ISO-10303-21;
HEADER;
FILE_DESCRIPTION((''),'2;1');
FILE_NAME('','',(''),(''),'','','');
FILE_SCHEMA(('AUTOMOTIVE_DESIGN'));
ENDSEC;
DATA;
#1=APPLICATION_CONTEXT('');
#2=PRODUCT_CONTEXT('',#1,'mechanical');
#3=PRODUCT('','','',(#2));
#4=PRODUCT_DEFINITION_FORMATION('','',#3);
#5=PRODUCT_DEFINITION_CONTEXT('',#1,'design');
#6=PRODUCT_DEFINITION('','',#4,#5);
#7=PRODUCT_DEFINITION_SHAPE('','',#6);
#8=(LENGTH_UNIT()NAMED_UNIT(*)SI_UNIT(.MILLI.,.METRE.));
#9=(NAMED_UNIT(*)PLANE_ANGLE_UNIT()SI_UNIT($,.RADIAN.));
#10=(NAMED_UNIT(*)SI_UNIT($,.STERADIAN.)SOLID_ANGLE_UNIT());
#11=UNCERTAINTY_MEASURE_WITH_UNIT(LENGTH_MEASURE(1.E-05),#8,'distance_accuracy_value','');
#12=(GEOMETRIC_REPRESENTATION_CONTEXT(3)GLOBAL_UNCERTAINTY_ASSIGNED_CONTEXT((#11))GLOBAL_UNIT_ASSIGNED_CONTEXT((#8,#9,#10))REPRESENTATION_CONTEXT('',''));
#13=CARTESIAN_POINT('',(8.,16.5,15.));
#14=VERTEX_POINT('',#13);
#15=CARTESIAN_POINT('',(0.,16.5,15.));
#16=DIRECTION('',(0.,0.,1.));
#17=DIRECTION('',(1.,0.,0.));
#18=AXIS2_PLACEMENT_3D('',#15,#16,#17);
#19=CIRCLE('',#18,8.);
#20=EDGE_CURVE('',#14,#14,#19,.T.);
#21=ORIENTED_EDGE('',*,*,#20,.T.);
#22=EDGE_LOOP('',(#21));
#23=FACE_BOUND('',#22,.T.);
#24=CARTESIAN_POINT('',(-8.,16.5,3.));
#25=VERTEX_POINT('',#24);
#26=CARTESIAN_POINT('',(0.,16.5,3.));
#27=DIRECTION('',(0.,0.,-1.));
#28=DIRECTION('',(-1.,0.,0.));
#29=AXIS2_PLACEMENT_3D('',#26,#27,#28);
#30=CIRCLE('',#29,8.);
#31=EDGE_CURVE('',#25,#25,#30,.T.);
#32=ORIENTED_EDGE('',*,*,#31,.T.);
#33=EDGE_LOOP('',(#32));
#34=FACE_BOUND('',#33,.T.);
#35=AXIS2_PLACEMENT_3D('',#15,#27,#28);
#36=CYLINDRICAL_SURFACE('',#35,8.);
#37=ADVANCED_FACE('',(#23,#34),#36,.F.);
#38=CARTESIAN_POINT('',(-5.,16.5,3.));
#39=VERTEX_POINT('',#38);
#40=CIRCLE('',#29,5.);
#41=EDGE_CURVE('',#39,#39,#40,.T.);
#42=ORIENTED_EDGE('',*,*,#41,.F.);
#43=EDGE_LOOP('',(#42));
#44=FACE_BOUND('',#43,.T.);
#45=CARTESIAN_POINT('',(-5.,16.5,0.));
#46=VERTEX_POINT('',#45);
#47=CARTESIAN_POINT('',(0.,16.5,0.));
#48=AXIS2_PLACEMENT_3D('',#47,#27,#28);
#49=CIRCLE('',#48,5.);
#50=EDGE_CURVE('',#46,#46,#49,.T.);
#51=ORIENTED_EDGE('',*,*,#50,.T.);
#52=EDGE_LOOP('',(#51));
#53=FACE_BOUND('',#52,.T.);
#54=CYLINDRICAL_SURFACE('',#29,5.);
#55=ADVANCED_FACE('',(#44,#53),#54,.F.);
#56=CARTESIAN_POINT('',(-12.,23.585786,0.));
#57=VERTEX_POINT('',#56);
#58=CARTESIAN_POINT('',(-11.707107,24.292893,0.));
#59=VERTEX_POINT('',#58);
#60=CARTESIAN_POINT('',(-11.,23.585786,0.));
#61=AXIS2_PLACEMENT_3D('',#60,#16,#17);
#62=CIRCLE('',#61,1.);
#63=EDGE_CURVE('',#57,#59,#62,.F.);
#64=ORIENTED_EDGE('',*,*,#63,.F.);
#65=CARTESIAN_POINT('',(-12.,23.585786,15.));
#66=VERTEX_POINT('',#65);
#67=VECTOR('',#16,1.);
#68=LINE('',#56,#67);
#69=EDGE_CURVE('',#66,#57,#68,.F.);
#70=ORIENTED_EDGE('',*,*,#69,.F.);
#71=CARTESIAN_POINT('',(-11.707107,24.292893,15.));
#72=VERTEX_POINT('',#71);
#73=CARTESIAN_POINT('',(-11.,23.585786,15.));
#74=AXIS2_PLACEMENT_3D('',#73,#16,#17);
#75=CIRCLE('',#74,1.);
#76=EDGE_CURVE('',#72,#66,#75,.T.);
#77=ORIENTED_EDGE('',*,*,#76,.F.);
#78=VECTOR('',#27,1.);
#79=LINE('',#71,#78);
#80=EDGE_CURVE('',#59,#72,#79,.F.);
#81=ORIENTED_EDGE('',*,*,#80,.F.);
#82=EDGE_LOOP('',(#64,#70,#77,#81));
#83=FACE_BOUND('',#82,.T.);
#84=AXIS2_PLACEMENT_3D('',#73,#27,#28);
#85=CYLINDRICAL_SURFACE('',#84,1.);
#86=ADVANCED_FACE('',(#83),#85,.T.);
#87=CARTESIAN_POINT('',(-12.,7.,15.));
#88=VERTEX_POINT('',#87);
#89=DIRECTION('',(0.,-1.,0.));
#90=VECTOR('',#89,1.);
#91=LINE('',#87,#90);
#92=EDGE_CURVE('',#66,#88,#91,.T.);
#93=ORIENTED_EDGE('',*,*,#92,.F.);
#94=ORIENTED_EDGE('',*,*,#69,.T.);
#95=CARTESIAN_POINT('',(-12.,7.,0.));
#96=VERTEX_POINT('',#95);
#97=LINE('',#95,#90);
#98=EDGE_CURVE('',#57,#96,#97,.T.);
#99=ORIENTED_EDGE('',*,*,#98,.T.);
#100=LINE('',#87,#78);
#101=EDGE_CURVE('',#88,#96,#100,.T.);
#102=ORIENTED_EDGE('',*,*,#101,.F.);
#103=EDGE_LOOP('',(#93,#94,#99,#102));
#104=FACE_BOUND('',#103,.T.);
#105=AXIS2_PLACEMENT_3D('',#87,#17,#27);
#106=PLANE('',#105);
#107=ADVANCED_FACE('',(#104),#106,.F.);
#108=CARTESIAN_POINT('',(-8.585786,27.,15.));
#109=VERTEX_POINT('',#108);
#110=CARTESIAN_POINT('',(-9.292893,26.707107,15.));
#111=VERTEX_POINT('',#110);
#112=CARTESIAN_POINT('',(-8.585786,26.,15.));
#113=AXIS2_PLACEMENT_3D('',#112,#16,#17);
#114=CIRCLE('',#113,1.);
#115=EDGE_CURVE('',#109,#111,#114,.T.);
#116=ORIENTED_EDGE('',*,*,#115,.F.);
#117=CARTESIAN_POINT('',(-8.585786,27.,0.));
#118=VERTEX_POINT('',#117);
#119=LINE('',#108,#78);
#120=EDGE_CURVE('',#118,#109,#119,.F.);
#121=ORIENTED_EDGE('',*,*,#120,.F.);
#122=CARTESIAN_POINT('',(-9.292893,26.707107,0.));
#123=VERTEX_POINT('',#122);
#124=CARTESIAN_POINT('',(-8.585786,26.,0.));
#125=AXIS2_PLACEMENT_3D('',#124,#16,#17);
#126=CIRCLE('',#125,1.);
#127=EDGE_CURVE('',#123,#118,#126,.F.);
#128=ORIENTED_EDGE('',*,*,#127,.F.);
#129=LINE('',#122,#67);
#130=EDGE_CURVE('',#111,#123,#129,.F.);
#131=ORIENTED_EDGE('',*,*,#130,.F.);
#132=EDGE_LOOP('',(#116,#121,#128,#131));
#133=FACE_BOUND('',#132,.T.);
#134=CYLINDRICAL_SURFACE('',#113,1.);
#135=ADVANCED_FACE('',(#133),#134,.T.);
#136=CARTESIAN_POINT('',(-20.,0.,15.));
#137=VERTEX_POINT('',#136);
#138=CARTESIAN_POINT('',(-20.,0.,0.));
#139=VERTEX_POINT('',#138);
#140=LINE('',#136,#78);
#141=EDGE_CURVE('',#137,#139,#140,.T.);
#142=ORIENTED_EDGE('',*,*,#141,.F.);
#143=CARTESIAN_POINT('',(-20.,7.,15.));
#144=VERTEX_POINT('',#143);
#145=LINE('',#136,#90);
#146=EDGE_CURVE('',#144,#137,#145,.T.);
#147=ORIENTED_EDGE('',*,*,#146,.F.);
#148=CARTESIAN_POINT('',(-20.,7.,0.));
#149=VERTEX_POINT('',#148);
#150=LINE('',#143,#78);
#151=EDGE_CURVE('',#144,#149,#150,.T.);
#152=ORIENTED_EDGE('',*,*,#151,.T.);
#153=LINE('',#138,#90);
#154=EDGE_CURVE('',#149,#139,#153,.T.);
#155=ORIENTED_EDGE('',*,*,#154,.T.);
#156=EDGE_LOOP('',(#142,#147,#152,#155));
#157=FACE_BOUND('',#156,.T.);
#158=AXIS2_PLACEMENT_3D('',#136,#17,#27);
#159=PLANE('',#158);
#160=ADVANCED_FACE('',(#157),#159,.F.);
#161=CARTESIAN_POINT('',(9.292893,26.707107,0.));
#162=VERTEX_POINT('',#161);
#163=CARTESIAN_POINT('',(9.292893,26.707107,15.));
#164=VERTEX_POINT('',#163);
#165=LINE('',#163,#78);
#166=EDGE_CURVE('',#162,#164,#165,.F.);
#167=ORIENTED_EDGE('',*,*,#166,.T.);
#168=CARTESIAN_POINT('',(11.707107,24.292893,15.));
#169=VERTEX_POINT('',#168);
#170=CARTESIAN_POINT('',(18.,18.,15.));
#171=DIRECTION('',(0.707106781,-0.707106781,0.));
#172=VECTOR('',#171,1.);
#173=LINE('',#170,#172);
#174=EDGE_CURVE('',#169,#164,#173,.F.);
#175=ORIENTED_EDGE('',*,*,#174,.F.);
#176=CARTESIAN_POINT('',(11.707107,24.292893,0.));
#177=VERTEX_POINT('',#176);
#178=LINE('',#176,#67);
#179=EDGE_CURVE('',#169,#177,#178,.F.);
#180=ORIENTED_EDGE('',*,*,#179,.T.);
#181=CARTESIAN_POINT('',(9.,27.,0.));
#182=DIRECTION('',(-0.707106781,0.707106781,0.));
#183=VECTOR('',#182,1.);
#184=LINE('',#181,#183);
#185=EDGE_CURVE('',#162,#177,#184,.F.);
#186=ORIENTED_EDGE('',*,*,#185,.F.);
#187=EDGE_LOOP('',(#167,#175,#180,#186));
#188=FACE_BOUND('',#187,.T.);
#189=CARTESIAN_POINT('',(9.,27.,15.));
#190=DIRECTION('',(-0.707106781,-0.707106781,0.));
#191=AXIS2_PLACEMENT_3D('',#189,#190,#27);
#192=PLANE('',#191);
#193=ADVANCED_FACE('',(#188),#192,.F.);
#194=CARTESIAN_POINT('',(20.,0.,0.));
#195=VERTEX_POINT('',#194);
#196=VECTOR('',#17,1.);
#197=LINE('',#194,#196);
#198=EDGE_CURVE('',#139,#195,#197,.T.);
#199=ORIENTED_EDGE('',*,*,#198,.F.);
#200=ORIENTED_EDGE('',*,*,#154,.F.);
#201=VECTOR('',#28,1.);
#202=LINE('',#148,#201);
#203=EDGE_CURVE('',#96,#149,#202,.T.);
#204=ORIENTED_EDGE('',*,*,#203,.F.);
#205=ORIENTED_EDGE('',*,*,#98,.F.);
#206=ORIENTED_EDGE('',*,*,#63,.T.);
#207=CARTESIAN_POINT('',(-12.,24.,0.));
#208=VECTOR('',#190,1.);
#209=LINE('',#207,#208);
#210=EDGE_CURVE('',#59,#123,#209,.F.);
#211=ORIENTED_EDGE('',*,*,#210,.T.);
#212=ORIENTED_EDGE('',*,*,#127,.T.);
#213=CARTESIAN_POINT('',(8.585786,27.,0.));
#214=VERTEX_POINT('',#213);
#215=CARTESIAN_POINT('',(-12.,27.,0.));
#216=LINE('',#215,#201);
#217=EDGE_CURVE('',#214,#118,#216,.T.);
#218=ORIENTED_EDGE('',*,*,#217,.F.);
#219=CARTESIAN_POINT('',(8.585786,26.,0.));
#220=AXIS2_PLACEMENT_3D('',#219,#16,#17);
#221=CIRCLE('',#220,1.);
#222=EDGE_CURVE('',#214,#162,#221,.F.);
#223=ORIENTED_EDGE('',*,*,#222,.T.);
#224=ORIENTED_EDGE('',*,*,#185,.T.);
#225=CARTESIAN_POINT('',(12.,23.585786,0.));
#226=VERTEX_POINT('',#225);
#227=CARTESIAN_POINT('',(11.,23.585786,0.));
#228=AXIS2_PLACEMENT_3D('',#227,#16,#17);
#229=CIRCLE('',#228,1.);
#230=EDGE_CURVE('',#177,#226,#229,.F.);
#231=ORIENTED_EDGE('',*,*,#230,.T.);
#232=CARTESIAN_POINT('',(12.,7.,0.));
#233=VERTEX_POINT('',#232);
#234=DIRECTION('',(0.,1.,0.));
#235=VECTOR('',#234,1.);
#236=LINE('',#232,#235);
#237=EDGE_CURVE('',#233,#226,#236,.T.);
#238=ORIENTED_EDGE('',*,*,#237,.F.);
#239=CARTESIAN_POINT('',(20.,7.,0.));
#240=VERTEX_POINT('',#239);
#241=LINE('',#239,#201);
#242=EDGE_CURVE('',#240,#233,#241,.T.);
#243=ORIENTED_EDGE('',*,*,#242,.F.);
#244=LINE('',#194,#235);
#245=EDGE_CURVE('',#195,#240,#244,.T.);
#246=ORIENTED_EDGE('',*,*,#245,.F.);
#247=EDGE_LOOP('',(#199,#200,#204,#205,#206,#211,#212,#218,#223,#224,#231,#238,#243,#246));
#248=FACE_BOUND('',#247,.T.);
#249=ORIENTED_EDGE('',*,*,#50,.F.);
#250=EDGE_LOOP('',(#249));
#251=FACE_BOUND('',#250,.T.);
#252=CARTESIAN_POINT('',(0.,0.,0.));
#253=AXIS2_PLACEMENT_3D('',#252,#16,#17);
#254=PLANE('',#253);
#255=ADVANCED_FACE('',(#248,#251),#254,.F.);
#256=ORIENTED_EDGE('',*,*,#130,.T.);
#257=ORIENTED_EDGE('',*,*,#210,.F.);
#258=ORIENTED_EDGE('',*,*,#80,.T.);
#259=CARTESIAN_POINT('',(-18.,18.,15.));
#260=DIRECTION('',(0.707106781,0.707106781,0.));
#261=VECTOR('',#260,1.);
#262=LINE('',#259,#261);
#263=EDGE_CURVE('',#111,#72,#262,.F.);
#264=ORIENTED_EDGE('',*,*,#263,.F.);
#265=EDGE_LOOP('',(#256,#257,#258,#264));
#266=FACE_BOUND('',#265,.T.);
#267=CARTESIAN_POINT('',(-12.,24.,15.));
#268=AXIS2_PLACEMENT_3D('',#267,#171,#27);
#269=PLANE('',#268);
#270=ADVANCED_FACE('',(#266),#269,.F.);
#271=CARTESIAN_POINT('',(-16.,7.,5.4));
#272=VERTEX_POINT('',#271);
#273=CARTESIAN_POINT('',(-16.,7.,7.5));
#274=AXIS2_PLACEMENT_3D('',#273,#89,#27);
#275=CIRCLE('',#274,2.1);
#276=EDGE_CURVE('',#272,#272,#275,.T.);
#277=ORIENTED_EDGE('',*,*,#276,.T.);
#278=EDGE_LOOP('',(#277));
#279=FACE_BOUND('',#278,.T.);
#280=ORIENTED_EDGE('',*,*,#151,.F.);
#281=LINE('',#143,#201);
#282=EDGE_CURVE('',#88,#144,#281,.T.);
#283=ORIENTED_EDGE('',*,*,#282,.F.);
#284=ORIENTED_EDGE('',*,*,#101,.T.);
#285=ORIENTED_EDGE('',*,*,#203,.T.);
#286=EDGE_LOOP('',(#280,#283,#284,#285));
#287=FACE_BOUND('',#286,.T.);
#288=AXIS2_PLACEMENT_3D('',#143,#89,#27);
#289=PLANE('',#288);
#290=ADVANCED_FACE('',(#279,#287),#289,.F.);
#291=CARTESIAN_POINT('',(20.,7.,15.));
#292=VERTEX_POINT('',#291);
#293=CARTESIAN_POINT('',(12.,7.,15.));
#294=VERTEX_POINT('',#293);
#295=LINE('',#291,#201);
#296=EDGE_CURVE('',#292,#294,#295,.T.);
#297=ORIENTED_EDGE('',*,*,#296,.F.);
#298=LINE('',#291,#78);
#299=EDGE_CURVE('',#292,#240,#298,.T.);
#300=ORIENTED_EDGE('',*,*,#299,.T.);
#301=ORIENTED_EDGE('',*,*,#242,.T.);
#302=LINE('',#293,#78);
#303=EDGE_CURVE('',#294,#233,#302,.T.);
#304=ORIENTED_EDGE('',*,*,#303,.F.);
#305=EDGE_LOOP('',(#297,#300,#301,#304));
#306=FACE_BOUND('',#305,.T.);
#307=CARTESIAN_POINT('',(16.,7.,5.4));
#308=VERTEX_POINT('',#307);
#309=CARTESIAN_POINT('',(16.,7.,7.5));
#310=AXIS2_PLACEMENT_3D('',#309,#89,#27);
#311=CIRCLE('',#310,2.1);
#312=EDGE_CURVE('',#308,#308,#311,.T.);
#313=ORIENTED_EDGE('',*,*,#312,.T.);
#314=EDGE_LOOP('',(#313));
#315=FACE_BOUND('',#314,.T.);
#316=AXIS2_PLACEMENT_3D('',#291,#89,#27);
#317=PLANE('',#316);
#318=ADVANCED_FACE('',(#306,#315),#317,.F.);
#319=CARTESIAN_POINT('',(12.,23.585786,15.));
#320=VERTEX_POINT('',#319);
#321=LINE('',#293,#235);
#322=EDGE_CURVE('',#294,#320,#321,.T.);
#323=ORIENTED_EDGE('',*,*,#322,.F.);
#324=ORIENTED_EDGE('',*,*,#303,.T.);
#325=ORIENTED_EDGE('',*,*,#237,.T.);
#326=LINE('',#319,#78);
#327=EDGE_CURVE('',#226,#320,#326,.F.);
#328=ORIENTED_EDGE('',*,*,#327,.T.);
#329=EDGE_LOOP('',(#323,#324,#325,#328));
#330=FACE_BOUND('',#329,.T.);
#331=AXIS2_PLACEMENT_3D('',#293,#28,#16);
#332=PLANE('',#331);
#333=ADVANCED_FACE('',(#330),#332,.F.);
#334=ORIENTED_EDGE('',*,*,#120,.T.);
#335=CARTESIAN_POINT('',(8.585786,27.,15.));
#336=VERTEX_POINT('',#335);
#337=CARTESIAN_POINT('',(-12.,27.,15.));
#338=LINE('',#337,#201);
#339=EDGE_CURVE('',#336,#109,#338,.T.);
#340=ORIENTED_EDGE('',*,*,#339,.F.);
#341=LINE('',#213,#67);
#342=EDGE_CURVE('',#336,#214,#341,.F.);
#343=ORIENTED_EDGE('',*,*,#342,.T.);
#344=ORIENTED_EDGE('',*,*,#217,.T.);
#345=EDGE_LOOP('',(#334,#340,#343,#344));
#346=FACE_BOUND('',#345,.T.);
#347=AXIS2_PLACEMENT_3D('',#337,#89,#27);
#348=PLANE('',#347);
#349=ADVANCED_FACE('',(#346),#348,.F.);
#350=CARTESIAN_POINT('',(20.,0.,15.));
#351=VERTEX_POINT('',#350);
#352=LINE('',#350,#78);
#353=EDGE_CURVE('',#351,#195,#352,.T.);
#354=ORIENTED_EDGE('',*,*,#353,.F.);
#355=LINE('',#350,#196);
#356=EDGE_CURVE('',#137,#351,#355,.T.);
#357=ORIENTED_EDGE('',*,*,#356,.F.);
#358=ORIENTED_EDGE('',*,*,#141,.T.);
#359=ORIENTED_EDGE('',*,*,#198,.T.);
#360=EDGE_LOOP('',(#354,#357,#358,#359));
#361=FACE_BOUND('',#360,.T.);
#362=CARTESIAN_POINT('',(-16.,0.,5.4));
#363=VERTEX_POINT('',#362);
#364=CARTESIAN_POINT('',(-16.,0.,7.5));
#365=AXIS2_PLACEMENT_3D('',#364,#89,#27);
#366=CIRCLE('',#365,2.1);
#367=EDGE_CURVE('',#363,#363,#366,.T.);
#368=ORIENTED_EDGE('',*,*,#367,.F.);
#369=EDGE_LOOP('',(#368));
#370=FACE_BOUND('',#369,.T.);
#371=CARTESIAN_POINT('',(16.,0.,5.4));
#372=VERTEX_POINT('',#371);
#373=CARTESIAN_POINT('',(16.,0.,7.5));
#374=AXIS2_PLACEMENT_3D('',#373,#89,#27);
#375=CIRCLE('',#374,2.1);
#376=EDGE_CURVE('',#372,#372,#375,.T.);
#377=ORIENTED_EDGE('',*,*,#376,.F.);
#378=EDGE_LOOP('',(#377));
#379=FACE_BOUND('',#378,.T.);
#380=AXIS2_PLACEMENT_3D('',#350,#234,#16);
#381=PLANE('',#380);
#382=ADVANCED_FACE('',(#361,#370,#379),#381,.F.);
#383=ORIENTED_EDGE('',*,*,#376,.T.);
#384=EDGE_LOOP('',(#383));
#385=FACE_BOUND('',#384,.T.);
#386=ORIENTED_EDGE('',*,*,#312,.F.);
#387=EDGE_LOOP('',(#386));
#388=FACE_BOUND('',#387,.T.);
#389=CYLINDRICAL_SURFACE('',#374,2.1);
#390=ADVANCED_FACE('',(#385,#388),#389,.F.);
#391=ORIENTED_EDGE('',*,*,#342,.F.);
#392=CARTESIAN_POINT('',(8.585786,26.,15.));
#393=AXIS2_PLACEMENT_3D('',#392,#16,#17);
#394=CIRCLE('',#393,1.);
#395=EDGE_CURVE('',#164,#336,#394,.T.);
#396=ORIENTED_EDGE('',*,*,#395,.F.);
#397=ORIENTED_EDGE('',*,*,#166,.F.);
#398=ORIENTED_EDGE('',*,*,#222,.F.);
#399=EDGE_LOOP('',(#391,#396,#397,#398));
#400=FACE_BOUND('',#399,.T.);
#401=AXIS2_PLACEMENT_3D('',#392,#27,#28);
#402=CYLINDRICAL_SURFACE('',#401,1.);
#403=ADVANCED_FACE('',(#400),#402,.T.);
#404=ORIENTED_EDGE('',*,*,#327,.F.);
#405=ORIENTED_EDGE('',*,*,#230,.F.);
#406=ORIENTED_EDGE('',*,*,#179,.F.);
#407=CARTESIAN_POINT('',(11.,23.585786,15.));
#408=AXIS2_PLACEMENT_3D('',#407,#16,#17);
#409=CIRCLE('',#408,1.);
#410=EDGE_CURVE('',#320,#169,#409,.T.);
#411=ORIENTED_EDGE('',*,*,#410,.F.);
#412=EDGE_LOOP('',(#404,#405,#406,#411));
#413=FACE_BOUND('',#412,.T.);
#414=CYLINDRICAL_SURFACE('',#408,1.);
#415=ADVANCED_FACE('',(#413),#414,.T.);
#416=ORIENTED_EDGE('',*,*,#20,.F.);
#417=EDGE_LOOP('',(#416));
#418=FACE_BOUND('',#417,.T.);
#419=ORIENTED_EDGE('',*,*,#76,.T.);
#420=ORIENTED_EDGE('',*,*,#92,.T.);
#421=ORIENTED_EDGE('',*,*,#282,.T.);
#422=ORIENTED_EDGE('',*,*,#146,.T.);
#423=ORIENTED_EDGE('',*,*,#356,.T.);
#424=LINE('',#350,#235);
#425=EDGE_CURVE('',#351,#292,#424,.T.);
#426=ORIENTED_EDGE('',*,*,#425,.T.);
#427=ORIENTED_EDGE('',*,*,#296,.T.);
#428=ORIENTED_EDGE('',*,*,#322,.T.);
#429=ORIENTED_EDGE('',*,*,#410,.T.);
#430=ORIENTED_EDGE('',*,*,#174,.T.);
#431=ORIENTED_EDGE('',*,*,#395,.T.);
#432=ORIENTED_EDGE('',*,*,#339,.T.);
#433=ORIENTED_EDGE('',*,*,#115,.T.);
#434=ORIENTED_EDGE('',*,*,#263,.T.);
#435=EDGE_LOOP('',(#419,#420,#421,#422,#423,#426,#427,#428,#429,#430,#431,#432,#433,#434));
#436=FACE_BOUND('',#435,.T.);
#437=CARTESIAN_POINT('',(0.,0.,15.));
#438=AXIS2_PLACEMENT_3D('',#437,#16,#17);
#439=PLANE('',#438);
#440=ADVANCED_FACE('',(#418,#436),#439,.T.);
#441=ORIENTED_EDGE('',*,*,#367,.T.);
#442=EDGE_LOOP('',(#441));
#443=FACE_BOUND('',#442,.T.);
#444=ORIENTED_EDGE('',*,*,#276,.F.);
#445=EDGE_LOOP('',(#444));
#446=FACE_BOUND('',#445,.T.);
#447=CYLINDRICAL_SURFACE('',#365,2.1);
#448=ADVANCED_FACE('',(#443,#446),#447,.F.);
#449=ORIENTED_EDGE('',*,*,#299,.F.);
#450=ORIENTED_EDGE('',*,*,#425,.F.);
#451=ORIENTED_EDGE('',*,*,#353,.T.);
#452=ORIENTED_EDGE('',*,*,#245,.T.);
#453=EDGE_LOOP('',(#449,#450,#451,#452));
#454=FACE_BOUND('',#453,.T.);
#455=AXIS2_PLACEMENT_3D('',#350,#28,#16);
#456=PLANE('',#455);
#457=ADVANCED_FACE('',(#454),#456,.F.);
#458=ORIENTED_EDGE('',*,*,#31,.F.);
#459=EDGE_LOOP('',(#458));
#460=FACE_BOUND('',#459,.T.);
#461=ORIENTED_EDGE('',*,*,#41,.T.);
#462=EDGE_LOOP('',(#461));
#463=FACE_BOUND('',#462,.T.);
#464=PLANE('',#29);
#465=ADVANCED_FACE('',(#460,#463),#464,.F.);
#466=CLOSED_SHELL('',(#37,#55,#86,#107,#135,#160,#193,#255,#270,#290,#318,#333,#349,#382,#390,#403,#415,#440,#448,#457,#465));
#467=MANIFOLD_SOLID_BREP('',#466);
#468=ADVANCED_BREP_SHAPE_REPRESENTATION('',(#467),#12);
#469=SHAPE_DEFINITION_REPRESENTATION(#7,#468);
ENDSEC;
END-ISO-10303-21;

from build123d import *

# Parameters (mm, degrees)
SKETCH1_R             = 8
BOSS_EXTRUDE1_DEPTH   = 15
CHAMFER1_SIZE         = 3
SKETCH2_R             = 8
SKETCH2_R_2           = 5
BOSS_EXTRUDE2_DEPTH   = 3
M5_TAPPED_HOLE1_D     = 4.2
M5_TAPPED_HOLE1_DEPTH = 103.56
M5_TAPPED_HOLE1_TIP   = 1.2618073
FILLET1_R             = 1


with BuildPart() as part:
    # Sketch1 → Boss-Extrude1 (new body)
    with BuildSketch(Plane.XY):
        Polygon((20, 0), (-20, 0), (-20, 7), (-12, 7), (-12, 27), (12, 27), (12, 7), (20, 7), align=None)
        with Locations((0, 16.5)):
            Circle(SKETCH1_R, mode=Mode.SUBTRACT)
    extrude(amount=BOSS_EXTRUDE1_DEPTH)

    # Chamfer1
    chamfer1_edges = [part.edges().sort_by_distance(p)[0] for p in [
        (-12, 27, 7.5),
        (12, 27, 7.5),
    ]]
    chamfer(chamfer1_edges, length=CHAMFER1_SIZE)

    # Sketch2 → Boss-Extrude2 (add)
    with BuildSketch(Plane(origin=(0, 0, 0), x_dir=(-1, 0, 0), z_dir=(0, 0, -1))):
        with Locations((0, 16.5)):
            Circle(SKETCH2_R)
        with Locations((0, 16.5)):
            Circle(SKETCH2_R_2, mode=Mode.SUBTRACT)
    extrude(amount=-BOSS_EXTRUDE2_DEPTH)

    # M5 Tapped Hole1
    with Locations(Plane(origin=(-16, 0, 7.5), x_dir=(0, 0, -1), z_dir=(0, -1, 0))):
        with Locations((0, 0), (0, 32)):
            Hole(M5_TAPPED_HOLE1_D / 2, depth=M5_TAPPED_HOLE1_DEPTH)
            with Locations((0, 0, -(M5_TAPPED_HOLE1_DEPTH + M5_TAPPED_HOLE1_TIP / 2))):  # 118° drill point
                Cone(0, M5_TAPPED_HOLE1_D / 2, M5_TAPPED_HOLE1_TIP, mode=Mode.SUBTRACT)

    # Fillet1
    fillet1_edges = [part.edges().sort_by_distance(p)[0] for p in [
        (-12, 24, 7.5),
        (9, 27, 7.5),
        (-9, 27, 7.5),
        (12, 24, 7.5),
    ]]
    fillet(fillet1_edges, radius=FILLET1_R)


solid = part.part
